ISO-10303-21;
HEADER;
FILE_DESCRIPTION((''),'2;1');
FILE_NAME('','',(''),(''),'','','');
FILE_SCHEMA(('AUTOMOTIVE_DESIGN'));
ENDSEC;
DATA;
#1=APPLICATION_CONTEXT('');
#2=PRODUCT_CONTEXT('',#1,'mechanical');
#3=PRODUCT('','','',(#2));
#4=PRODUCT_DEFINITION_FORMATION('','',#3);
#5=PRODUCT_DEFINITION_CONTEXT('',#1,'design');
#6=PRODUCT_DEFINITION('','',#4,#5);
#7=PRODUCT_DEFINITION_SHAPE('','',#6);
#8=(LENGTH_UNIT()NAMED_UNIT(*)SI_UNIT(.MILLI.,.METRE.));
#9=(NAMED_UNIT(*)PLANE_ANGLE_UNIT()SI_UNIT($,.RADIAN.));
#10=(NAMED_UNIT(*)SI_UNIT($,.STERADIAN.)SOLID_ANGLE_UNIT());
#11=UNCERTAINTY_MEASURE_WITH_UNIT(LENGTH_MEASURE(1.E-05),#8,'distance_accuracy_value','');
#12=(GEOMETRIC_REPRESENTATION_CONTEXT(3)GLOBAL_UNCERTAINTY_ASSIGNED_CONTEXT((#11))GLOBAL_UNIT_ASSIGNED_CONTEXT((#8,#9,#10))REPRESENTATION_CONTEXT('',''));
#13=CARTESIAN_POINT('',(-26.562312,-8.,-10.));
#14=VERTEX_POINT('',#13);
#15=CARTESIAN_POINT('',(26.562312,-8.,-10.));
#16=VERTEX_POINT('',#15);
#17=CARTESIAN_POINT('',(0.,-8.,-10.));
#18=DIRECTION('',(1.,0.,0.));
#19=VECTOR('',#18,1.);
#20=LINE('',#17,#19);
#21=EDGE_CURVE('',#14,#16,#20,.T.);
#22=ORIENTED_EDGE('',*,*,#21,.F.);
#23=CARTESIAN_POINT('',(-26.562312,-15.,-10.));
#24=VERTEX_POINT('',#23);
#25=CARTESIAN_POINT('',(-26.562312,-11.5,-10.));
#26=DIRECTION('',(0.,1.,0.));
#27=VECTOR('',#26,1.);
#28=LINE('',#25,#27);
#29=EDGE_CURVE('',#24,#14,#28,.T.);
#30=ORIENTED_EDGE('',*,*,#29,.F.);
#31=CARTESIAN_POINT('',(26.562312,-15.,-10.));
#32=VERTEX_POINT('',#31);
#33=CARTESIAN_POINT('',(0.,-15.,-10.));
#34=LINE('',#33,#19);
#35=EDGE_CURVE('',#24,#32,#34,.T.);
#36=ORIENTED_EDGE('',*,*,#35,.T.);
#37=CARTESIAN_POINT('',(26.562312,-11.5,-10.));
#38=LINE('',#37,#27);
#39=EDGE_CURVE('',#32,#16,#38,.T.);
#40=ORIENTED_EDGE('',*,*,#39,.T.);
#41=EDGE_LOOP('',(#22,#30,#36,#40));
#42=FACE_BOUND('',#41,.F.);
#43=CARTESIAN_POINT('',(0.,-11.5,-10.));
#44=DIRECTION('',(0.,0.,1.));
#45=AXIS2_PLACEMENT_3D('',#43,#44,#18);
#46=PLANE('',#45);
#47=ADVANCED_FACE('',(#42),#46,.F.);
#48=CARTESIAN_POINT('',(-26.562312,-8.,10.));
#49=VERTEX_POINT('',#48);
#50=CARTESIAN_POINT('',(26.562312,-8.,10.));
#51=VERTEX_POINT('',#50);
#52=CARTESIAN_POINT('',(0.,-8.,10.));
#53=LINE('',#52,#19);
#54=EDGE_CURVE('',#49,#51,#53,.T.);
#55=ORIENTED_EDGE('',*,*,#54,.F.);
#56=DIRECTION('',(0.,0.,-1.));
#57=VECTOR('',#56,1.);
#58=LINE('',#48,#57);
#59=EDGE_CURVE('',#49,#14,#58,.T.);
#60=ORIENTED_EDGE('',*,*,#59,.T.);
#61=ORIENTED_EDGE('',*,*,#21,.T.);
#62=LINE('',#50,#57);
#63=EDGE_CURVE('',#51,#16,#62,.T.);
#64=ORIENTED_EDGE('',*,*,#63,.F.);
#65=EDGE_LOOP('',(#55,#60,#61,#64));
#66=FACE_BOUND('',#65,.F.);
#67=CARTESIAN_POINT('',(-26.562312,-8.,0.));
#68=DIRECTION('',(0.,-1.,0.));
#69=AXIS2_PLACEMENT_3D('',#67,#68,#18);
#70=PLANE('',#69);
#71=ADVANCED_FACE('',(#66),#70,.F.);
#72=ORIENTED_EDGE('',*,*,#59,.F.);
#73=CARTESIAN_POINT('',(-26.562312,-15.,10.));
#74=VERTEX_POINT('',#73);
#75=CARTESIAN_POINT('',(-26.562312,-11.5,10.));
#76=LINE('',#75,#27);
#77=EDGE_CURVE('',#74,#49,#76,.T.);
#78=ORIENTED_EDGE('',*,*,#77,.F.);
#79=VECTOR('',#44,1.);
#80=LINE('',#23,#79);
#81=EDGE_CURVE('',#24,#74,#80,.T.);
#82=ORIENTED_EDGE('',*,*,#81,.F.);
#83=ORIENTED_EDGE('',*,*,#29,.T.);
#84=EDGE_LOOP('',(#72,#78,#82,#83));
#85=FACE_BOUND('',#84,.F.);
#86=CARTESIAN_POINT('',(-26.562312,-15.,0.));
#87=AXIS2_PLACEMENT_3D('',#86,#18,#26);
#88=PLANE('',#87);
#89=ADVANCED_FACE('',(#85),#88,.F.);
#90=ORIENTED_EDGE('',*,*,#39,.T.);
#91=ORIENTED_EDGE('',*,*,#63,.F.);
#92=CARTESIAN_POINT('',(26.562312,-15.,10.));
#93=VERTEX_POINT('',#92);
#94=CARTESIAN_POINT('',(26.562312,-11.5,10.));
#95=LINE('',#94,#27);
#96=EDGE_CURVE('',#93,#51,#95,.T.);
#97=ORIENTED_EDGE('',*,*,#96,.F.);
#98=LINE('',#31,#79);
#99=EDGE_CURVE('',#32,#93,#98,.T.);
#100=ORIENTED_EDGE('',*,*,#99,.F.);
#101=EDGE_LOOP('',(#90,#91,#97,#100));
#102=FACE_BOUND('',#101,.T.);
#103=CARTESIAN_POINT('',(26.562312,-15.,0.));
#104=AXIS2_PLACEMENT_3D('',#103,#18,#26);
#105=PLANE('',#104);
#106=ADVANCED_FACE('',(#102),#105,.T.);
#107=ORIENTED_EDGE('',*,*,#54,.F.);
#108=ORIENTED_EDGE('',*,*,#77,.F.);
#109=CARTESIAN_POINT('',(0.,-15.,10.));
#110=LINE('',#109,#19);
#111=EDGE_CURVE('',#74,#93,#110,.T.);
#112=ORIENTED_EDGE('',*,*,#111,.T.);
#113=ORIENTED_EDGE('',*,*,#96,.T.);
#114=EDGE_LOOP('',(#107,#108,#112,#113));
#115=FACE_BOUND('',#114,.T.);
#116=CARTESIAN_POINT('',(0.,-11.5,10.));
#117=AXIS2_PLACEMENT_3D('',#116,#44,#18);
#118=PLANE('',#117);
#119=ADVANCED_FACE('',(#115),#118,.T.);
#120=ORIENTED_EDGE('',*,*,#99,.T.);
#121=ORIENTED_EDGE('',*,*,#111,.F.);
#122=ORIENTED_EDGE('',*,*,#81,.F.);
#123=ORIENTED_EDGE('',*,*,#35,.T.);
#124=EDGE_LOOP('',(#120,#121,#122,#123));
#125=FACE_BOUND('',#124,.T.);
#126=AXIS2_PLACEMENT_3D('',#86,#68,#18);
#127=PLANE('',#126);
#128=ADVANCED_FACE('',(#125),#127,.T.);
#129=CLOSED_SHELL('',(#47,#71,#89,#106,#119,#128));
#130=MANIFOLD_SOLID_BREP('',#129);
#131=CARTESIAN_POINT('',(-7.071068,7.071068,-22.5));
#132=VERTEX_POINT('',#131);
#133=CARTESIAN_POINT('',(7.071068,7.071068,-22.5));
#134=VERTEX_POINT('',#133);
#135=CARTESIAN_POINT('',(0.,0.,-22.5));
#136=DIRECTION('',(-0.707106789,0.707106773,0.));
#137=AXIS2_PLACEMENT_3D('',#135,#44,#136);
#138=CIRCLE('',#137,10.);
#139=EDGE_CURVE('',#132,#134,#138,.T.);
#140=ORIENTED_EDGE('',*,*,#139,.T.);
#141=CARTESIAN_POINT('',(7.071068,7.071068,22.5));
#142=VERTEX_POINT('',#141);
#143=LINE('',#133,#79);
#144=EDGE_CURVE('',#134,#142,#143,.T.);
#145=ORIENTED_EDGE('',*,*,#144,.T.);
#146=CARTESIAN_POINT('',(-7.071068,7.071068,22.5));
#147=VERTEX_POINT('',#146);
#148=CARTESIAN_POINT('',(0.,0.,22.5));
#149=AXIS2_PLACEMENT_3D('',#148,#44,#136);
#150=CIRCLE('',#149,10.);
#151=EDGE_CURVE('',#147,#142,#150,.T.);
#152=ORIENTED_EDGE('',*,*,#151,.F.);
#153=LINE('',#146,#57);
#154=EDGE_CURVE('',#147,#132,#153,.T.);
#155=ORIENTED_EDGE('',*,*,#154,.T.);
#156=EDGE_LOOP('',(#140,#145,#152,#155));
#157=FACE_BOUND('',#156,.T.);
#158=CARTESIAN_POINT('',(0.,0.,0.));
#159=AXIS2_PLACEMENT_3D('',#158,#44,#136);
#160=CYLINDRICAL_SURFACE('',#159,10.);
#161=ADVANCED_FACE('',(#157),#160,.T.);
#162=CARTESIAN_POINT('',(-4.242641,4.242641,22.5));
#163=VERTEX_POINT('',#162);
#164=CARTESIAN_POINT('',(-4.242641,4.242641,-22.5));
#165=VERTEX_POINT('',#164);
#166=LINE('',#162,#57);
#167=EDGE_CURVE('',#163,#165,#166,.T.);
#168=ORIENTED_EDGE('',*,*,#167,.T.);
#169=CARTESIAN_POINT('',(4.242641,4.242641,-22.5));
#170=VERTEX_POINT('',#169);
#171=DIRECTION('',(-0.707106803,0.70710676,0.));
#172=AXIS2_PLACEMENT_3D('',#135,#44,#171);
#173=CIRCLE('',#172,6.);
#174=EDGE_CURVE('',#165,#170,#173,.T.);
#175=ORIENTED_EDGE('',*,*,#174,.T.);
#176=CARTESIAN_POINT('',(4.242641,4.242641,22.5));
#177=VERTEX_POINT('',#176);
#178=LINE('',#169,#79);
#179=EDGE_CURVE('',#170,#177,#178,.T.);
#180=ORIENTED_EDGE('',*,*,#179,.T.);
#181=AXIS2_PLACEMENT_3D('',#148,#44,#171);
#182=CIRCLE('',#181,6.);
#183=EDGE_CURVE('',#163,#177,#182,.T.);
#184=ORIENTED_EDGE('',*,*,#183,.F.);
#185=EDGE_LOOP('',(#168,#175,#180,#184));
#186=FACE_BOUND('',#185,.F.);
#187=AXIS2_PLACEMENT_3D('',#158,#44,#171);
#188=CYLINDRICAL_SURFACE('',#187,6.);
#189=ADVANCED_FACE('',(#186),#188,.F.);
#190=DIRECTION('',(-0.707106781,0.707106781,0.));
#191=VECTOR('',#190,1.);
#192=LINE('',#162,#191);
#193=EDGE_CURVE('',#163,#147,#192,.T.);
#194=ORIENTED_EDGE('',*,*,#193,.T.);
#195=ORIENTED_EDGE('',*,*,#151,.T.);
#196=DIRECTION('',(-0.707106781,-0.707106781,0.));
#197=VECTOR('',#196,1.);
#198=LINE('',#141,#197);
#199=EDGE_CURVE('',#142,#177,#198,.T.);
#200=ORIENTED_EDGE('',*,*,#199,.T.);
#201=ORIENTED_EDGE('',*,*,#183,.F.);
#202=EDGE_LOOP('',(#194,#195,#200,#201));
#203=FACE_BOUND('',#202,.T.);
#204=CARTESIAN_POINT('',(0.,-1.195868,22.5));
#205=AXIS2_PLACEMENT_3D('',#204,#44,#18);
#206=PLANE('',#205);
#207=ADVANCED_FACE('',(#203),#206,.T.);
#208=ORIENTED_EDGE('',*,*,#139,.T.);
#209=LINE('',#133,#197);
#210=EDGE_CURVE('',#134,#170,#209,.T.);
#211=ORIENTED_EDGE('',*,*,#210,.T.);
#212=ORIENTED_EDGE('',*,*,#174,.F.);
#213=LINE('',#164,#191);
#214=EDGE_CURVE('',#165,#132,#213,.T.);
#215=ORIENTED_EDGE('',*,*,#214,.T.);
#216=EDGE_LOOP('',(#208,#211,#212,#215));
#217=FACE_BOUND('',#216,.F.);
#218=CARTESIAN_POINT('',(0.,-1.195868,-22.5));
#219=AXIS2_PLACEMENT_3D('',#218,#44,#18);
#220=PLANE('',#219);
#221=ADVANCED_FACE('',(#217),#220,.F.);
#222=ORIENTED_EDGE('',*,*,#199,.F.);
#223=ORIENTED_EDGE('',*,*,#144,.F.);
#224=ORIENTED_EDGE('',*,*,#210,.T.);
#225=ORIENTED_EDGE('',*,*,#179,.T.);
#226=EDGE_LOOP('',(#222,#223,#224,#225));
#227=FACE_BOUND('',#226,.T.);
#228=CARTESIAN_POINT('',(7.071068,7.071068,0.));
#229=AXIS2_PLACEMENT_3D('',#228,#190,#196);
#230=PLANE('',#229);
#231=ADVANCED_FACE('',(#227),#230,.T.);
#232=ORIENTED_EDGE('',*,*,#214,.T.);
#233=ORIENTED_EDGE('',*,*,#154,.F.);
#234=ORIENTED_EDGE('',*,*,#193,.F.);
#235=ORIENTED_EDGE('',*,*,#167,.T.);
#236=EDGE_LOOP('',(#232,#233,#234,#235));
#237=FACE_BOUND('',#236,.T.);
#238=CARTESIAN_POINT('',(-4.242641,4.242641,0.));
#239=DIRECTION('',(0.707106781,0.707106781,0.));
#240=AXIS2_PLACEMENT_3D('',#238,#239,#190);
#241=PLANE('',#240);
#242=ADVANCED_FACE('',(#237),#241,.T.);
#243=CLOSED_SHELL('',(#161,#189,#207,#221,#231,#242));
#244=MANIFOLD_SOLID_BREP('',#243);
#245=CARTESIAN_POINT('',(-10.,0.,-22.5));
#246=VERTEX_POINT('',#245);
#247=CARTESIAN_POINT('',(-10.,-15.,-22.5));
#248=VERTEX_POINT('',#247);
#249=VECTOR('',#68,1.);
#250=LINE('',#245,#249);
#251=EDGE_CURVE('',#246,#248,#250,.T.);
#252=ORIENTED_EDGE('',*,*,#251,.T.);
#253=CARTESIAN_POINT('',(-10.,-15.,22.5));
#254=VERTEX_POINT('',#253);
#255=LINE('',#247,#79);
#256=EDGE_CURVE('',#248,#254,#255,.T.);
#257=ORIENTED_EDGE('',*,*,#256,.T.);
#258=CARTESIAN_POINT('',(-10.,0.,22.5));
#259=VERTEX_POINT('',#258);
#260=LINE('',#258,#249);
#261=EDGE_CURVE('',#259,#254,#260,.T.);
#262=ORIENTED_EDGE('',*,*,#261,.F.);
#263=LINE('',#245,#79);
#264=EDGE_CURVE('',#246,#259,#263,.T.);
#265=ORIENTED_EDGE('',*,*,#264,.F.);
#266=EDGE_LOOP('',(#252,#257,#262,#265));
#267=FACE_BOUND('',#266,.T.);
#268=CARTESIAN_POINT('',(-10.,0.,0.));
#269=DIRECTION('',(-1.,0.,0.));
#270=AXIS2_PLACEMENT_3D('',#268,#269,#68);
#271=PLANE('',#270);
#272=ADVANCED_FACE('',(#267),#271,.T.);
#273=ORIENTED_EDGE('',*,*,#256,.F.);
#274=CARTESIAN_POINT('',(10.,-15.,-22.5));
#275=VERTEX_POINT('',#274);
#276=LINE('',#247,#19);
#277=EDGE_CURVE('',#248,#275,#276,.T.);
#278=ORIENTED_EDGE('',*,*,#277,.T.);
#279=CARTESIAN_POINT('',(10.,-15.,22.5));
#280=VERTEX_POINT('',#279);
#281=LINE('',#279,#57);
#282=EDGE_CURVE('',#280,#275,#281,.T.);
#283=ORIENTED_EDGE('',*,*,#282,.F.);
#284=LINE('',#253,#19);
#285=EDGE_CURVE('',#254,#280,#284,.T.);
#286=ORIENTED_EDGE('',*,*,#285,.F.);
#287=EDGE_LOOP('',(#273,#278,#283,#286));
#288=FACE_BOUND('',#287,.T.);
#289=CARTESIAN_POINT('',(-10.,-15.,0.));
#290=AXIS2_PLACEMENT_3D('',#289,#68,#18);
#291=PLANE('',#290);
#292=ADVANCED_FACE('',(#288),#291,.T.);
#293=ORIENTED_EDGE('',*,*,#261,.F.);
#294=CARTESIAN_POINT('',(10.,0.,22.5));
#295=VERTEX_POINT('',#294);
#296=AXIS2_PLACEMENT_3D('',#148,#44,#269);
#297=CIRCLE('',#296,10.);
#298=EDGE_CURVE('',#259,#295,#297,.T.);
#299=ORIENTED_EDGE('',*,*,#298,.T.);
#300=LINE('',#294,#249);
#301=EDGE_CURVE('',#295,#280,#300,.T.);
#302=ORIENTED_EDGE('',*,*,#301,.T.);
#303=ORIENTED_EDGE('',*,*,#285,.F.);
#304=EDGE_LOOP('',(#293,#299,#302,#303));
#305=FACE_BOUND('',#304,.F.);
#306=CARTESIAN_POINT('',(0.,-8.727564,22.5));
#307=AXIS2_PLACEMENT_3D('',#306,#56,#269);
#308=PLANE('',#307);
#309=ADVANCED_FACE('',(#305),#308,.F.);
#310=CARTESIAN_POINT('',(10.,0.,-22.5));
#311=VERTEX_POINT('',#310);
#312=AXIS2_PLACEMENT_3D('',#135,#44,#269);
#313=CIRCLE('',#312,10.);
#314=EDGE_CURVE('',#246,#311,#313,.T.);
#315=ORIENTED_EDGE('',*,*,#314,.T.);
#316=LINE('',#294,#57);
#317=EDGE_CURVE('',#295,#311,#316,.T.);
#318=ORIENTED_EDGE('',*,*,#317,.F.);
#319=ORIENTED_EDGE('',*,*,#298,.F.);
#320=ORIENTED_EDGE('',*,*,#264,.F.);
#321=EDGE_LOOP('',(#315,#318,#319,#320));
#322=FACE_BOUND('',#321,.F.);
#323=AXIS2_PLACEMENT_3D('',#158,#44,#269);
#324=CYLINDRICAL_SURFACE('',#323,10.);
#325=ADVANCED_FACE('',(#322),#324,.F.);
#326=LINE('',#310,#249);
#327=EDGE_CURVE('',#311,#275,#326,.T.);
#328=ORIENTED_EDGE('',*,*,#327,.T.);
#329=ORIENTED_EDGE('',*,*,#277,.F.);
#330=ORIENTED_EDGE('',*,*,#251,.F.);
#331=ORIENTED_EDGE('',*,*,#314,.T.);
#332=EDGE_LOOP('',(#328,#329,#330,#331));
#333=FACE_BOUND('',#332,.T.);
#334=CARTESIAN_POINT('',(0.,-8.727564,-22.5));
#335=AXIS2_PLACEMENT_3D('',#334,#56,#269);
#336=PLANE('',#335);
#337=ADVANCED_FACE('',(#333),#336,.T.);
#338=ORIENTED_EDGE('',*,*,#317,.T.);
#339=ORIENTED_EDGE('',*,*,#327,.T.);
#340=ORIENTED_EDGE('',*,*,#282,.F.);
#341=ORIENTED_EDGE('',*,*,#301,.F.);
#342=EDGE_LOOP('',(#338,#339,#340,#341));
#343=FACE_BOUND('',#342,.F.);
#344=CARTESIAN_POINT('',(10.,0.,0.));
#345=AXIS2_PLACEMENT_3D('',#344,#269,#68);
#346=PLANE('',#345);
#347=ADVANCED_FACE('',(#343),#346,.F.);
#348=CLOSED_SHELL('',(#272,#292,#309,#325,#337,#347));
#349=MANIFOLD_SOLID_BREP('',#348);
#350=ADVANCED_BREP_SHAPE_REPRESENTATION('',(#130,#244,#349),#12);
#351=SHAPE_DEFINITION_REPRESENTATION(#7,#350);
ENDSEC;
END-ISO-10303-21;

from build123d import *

# Parameters (mm, degrees)
PAD_DEPTH    = 22.5
PAD001_DEPTH = 22.5
SKETCH004_W  = 53.124624
SKETCH004_H  = 7
PAD002_DEPTH = 10


with BuildPart() as pad:
    # Sketch → Pad (new body, symmetric)
    with BuildSketch(Plane.XY):
        with BuildLine():
            ThreePointArc((-7.071068, 7.071068), (0, -10), (7.071068, 7.071068))
            Line((7.071068, 7.071068), (4.242641, 4.242641))
            ThreePointArc((-4.242641, 4.242641), (0, -6), (4.242641, 4.242641))
            Line((-4.242641, 4.242641), (-7.071068, 7.071068))
        make_face()
    extrude(amount=PAD_DEPTH, both=True)


with BuildPart() as pad001:
    # Sketch003 → Pad001 (new body, symmetric)
    with BuildSketch(Plane.XY):
        with BuildLine():
            ThreePointArc((-10, 0), (0, -10), (10, 0))
            Line((10, 0), (10, -15))
            Line((-10, -15), (10, -15))
            Line((-10, 0), (-10, -15))
        make_face()
    extrude(amount=PAD001_DEPTH, both=True)


with BuildPart() as pad002:
    # Sketch004 → Pad002 (new body, symmetric)
    with BuildSketch(Plane.XY):
        with Locations((0, -11.5)):
            Rectangle(SKETCH004_W, SKETCH004_H)
    extrude(amount=PAD002_DEPTH, both=True)


solid = Compound([pad.part, pad001.part, pad002.part])
